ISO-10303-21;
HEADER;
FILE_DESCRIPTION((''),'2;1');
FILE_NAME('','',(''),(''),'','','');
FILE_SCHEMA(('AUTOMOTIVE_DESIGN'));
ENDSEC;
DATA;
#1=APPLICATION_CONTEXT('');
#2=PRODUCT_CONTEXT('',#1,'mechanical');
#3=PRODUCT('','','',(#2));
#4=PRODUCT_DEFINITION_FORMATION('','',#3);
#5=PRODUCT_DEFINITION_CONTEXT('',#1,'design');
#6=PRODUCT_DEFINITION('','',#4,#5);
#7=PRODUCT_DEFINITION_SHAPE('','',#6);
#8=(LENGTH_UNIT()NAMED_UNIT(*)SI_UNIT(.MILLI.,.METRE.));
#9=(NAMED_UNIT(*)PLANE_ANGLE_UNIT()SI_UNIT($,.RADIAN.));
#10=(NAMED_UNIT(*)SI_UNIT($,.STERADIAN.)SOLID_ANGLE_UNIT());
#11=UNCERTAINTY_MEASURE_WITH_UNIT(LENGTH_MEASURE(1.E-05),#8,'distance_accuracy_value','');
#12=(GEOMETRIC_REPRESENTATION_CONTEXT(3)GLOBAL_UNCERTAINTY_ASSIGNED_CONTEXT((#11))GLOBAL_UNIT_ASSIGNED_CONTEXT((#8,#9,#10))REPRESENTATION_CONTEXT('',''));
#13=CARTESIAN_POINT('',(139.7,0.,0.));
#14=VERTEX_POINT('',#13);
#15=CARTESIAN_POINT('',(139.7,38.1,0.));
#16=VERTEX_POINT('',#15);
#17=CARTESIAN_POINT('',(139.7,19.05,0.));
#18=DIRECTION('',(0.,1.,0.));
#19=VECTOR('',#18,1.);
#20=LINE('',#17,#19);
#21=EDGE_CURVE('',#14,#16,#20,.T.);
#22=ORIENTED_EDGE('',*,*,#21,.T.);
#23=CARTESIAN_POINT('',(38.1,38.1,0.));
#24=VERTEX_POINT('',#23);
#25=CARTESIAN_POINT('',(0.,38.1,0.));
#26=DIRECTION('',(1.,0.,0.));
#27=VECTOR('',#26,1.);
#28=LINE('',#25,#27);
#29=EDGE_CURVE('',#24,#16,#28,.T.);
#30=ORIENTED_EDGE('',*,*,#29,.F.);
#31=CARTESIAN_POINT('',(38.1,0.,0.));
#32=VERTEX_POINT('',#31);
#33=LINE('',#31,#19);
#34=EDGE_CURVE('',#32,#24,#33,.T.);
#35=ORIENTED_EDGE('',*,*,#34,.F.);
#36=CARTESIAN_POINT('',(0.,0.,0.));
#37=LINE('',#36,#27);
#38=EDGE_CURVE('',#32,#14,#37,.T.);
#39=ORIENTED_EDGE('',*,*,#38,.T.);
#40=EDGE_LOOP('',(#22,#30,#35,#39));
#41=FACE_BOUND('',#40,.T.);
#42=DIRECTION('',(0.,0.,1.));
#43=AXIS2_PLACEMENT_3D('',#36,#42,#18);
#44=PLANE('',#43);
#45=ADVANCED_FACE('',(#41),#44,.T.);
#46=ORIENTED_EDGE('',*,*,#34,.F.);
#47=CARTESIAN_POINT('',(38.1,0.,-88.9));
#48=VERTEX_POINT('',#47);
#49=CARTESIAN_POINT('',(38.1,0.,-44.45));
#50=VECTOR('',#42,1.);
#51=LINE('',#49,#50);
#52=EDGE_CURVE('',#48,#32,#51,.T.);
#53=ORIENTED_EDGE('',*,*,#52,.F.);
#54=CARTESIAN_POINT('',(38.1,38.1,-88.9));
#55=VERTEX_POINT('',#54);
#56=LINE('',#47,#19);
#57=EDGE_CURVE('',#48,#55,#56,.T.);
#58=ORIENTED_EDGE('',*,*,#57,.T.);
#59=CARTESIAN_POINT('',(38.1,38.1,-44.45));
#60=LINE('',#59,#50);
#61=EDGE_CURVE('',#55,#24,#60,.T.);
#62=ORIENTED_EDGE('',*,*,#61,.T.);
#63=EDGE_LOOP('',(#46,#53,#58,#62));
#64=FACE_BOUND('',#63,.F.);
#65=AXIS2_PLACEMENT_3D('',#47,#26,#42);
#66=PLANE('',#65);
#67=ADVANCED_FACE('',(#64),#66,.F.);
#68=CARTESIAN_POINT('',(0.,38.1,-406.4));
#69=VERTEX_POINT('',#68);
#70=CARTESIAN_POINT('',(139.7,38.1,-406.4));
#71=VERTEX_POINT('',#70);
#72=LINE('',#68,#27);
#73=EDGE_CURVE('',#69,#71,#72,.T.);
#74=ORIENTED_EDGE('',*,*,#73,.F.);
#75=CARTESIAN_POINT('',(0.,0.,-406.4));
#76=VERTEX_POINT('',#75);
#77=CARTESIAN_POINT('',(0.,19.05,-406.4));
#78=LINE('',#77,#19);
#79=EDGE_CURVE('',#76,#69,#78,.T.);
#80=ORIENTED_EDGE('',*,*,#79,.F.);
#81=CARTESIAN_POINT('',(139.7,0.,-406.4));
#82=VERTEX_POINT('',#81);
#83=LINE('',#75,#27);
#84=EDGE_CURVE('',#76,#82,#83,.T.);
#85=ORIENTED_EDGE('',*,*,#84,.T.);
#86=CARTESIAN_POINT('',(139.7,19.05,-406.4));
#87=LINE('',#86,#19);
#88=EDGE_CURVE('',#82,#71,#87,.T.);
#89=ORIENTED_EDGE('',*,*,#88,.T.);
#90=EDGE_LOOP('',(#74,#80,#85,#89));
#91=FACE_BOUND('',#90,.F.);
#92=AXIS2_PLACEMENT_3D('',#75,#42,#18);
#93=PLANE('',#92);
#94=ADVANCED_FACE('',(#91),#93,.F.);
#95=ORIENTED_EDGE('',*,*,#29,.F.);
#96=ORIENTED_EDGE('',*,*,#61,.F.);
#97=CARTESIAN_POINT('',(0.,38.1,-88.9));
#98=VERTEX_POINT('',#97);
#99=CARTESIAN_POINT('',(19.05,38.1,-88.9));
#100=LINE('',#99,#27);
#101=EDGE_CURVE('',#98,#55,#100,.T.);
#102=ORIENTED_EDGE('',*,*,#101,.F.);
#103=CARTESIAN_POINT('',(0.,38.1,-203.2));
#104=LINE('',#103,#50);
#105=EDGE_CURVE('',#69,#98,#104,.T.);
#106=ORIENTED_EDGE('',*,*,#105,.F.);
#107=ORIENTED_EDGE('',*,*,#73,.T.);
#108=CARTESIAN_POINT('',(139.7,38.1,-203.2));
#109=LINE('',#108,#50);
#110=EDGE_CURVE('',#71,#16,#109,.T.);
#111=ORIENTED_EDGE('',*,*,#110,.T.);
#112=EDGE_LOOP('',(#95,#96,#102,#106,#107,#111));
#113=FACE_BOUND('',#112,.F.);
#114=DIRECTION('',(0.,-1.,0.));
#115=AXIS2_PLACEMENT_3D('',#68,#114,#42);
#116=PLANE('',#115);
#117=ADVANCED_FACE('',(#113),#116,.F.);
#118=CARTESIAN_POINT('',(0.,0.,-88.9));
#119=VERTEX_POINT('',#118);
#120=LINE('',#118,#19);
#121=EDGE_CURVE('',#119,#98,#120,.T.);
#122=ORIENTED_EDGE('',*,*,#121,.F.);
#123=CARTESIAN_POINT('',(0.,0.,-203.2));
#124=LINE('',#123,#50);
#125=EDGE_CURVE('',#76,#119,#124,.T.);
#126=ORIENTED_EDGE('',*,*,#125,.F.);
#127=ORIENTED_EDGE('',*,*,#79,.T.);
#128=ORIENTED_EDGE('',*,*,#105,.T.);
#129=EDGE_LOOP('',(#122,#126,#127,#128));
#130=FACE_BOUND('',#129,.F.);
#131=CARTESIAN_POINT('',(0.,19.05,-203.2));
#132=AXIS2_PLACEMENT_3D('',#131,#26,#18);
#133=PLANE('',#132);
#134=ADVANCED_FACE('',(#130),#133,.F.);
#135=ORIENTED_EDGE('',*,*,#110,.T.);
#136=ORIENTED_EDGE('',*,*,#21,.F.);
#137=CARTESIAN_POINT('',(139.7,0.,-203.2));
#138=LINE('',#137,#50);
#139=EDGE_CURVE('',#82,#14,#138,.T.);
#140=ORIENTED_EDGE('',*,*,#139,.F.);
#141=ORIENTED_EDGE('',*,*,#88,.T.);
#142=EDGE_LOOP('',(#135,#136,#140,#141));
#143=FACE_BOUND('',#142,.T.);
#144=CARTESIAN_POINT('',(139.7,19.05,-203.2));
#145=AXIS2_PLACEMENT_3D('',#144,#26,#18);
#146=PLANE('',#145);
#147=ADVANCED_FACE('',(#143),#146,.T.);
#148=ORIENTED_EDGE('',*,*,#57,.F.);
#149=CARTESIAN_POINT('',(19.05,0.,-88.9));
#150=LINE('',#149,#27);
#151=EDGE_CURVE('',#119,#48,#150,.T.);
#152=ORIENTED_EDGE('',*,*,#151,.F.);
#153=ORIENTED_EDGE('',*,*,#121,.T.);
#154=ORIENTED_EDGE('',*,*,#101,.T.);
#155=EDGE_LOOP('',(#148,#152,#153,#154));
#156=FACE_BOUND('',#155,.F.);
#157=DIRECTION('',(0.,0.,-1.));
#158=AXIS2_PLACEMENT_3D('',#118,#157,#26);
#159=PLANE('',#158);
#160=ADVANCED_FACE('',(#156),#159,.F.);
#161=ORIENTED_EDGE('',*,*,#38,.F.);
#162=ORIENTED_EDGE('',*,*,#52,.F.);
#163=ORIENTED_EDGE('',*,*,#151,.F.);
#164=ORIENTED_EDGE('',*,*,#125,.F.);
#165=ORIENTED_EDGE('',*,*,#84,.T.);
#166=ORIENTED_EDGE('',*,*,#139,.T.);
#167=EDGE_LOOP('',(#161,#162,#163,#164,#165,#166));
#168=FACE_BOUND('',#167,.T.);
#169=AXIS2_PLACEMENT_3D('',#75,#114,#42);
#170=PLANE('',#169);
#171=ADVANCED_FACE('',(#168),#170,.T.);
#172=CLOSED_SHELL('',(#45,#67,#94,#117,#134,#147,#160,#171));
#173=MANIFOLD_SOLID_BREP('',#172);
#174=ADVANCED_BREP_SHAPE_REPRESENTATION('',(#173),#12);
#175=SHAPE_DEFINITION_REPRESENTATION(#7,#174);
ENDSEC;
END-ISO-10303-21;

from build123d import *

# Parameters (mm, degrees)
F0_W     = 38.1
F0_H     = 406.4
F1_DEPTH = 139.7
F2_W     = 38.1
F2_H     = 88.9
F3_DEPTH = 38.1


with BuildPart() as f1:
    # F0 (on Right) → F1 (new body)
    with BuildSketch(Plane.YZ):
        with Locations((19.05, -203.2)):
            Rectangle(F0_W, F0_H)
    extrude(amount=F1_DEPTH)

    # F2 (on face) → F3 (cut, through all)
    with BuildSketch(Plane.XZ):
        with Locations((19.05, -44.45)):
            Rectangle(F2_W, F2_H)
    extrude(amount=-F3_DEPTH, mode=Mode.SUBTRACT)


solid = f1.part
